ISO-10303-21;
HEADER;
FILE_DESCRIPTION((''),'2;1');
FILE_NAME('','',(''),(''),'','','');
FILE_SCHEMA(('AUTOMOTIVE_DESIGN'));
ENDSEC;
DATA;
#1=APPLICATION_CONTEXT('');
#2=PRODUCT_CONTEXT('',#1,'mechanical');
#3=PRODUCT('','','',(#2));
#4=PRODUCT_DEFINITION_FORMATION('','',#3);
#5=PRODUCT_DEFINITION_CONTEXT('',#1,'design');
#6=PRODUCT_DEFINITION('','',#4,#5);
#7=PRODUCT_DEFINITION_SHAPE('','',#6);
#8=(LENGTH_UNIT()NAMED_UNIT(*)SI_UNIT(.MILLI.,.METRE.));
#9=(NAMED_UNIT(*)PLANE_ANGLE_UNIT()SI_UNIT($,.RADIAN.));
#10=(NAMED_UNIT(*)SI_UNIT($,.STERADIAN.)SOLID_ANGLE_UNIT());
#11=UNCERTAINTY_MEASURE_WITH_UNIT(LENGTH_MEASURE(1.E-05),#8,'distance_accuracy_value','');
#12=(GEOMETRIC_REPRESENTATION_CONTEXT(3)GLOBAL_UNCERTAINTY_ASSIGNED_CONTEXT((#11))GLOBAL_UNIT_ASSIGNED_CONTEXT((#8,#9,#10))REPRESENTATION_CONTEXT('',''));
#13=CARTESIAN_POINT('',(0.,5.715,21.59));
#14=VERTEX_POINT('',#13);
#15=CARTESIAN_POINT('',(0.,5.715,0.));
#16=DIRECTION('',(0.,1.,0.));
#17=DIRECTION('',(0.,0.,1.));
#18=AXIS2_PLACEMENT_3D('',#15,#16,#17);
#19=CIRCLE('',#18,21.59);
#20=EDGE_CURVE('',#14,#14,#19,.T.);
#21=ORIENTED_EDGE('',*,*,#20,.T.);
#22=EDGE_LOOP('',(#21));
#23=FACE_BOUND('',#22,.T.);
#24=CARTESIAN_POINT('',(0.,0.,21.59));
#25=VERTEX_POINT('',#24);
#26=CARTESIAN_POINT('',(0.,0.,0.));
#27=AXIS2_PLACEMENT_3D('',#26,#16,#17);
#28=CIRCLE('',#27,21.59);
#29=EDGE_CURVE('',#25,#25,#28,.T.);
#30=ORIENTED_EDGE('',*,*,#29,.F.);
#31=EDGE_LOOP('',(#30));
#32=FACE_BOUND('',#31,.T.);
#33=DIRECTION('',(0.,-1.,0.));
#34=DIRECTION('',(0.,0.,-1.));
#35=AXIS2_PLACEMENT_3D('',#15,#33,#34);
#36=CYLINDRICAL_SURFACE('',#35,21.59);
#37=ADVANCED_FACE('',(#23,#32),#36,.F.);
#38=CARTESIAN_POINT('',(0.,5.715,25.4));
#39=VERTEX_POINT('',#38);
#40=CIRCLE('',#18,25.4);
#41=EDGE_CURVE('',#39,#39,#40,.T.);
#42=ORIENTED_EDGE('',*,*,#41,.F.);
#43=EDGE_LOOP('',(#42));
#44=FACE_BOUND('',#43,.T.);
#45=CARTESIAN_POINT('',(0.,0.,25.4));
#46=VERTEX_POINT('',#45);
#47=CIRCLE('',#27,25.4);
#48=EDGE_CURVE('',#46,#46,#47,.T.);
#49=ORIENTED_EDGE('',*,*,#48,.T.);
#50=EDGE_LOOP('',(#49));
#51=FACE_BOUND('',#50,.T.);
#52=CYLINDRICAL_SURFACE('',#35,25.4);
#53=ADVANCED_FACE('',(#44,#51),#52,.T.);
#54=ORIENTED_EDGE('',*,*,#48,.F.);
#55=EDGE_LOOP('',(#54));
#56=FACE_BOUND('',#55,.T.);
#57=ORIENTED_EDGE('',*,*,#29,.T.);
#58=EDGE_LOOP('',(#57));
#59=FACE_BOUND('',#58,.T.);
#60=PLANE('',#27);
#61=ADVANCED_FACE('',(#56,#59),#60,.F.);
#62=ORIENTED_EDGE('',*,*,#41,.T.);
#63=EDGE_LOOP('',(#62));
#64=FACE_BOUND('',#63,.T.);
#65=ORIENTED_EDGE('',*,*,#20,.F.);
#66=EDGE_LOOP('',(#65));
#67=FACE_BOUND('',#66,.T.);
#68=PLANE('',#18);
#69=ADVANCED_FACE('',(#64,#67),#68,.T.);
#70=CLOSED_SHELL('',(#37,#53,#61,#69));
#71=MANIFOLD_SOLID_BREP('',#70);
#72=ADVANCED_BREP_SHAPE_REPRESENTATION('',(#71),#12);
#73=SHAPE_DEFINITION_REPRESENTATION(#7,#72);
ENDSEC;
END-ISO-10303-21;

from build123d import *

# Parameters (mm, degrees)
SKETCH1_R           = 25.4
SKETCH1_R_2         = 21.59
BOSS_EXTRUDE1_DEPTH = 5.715


with BuildPart() as part:
    # Sketch1 → Boss-Extrude1 (new body)
    with BuildSketch(Plane(origin=(0, 0, 0), x_dir=(1, 0, 0), z_dir=(0, 1, 0))):
        Circle(SKETCH1_R)
        Circle(SKETCH1_R_2, mode=Mode.SUBTRACT)
    extrude(amount=BOSS_EXTRUDE1_DEPTH)


solid = part.part
